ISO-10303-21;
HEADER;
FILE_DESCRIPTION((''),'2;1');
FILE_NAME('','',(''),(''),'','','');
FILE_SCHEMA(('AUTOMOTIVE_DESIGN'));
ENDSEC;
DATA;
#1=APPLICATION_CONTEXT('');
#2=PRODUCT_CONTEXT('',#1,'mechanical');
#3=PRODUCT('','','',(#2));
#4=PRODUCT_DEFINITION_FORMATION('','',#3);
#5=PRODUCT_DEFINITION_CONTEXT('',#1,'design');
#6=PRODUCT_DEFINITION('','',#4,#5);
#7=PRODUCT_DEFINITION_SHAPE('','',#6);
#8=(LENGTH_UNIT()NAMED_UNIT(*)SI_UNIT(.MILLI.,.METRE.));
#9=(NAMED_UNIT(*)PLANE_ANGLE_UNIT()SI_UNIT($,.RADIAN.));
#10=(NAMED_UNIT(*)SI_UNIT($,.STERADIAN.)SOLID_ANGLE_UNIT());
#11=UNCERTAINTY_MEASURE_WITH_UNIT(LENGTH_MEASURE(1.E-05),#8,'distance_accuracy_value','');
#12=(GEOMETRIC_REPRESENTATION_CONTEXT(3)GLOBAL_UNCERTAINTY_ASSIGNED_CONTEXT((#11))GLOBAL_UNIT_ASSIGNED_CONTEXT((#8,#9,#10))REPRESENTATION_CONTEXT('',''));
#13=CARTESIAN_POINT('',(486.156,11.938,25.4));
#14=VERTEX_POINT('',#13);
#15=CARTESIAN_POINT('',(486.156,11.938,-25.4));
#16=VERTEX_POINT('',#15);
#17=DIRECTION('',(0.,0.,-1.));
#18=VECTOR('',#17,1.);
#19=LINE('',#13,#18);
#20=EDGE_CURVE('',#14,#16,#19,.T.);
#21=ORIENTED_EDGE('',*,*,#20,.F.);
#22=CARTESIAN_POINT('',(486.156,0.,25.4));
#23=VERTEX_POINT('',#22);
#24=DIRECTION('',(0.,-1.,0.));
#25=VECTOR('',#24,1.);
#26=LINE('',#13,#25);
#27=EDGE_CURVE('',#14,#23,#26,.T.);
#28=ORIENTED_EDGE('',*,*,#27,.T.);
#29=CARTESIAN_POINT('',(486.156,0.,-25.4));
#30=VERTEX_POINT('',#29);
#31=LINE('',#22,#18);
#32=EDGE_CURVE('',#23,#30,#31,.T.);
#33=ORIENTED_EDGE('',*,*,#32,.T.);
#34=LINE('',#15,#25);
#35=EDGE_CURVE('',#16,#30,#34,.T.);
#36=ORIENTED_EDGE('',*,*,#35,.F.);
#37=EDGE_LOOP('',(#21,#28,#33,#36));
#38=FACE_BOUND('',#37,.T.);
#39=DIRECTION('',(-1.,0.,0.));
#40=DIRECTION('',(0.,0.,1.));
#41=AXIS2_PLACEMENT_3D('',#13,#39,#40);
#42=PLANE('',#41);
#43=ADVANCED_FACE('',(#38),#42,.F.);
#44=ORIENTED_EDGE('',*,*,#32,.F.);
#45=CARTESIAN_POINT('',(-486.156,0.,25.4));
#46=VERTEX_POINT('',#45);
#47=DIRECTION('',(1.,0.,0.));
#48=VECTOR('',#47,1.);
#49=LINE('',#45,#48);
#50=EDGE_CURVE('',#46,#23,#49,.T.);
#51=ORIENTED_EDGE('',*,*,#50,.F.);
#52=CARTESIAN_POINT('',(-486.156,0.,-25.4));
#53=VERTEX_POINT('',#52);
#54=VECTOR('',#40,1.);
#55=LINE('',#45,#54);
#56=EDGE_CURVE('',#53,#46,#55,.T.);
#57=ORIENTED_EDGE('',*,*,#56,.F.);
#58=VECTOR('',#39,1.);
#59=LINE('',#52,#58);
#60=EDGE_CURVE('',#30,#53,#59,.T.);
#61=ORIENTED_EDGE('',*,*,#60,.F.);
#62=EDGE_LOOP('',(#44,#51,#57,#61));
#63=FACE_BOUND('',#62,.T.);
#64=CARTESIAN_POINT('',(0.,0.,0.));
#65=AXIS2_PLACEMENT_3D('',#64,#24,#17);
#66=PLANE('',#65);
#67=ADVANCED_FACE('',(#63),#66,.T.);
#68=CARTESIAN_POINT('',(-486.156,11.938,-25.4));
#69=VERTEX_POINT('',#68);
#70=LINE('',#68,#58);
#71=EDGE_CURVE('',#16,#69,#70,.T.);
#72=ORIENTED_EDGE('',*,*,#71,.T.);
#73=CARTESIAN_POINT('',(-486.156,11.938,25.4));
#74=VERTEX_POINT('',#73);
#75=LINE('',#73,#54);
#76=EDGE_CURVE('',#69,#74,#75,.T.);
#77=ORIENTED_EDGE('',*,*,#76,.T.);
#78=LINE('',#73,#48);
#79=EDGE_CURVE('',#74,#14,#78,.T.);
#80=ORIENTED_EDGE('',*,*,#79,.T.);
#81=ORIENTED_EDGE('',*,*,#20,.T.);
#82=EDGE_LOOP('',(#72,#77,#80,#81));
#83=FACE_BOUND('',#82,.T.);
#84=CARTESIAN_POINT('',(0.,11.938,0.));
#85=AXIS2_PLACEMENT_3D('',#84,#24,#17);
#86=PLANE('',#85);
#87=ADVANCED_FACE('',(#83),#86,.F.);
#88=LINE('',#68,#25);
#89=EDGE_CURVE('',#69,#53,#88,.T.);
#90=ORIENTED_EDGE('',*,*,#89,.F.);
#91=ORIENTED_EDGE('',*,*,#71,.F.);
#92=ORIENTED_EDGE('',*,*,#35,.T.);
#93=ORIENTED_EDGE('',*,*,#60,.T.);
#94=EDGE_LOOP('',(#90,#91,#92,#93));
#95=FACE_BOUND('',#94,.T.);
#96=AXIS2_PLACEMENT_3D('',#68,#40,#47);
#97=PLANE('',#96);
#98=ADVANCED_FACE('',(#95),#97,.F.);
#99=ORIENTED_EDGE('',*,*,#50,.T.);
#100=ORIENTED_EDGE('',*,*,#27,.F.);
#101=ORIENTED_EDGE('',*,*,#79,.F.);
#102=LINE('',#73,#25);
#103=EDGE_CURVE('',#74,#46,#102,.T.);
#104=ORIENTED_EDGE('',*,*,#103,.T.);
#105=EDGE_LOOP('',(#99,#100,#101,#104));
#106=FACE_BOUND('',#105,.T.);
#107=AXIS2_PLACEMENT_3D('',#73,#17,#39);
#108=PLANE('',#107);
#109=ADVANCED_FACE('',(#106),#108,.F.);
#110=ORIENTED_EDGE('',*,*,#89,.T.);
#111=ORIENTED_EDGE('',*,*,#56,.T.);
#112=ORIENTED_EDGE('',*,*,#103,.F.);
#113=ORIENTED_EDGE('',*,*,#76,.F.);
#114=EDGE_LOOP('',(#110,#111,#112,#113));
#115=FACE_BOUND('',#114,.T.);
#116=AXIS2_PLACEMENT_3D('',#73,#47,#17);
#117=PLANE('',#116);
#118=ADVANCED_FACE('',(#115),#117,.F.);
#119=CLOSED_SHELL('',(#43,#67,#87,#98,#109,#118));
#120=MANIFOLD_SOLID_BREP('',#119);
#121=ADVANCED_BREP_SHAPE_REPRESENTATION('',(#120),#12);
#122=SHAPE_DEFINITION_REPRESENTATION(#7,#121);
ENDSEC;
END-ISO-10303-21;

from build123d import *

# Parameters (mm, degrees)
SKETCH1_W           = 972.312
SKETCH1_H           = 50.8
BOSS_EXTRUDE1_DEPTH = 11.938


with BuildPart() as part:
    # Sketch1 → Boss-Extrude1 (new body)
    with BuildSketch(Plane(origin=(0, 0, 0), x_dir=(1, 0, 0), z_dir=(0, 1, 0))):
        Rectangle(SKETCH1_W, SKETCH1_H)
    extrude(amount=BOSS_EXTRUDE1_DEPTH)


solid = part.part
